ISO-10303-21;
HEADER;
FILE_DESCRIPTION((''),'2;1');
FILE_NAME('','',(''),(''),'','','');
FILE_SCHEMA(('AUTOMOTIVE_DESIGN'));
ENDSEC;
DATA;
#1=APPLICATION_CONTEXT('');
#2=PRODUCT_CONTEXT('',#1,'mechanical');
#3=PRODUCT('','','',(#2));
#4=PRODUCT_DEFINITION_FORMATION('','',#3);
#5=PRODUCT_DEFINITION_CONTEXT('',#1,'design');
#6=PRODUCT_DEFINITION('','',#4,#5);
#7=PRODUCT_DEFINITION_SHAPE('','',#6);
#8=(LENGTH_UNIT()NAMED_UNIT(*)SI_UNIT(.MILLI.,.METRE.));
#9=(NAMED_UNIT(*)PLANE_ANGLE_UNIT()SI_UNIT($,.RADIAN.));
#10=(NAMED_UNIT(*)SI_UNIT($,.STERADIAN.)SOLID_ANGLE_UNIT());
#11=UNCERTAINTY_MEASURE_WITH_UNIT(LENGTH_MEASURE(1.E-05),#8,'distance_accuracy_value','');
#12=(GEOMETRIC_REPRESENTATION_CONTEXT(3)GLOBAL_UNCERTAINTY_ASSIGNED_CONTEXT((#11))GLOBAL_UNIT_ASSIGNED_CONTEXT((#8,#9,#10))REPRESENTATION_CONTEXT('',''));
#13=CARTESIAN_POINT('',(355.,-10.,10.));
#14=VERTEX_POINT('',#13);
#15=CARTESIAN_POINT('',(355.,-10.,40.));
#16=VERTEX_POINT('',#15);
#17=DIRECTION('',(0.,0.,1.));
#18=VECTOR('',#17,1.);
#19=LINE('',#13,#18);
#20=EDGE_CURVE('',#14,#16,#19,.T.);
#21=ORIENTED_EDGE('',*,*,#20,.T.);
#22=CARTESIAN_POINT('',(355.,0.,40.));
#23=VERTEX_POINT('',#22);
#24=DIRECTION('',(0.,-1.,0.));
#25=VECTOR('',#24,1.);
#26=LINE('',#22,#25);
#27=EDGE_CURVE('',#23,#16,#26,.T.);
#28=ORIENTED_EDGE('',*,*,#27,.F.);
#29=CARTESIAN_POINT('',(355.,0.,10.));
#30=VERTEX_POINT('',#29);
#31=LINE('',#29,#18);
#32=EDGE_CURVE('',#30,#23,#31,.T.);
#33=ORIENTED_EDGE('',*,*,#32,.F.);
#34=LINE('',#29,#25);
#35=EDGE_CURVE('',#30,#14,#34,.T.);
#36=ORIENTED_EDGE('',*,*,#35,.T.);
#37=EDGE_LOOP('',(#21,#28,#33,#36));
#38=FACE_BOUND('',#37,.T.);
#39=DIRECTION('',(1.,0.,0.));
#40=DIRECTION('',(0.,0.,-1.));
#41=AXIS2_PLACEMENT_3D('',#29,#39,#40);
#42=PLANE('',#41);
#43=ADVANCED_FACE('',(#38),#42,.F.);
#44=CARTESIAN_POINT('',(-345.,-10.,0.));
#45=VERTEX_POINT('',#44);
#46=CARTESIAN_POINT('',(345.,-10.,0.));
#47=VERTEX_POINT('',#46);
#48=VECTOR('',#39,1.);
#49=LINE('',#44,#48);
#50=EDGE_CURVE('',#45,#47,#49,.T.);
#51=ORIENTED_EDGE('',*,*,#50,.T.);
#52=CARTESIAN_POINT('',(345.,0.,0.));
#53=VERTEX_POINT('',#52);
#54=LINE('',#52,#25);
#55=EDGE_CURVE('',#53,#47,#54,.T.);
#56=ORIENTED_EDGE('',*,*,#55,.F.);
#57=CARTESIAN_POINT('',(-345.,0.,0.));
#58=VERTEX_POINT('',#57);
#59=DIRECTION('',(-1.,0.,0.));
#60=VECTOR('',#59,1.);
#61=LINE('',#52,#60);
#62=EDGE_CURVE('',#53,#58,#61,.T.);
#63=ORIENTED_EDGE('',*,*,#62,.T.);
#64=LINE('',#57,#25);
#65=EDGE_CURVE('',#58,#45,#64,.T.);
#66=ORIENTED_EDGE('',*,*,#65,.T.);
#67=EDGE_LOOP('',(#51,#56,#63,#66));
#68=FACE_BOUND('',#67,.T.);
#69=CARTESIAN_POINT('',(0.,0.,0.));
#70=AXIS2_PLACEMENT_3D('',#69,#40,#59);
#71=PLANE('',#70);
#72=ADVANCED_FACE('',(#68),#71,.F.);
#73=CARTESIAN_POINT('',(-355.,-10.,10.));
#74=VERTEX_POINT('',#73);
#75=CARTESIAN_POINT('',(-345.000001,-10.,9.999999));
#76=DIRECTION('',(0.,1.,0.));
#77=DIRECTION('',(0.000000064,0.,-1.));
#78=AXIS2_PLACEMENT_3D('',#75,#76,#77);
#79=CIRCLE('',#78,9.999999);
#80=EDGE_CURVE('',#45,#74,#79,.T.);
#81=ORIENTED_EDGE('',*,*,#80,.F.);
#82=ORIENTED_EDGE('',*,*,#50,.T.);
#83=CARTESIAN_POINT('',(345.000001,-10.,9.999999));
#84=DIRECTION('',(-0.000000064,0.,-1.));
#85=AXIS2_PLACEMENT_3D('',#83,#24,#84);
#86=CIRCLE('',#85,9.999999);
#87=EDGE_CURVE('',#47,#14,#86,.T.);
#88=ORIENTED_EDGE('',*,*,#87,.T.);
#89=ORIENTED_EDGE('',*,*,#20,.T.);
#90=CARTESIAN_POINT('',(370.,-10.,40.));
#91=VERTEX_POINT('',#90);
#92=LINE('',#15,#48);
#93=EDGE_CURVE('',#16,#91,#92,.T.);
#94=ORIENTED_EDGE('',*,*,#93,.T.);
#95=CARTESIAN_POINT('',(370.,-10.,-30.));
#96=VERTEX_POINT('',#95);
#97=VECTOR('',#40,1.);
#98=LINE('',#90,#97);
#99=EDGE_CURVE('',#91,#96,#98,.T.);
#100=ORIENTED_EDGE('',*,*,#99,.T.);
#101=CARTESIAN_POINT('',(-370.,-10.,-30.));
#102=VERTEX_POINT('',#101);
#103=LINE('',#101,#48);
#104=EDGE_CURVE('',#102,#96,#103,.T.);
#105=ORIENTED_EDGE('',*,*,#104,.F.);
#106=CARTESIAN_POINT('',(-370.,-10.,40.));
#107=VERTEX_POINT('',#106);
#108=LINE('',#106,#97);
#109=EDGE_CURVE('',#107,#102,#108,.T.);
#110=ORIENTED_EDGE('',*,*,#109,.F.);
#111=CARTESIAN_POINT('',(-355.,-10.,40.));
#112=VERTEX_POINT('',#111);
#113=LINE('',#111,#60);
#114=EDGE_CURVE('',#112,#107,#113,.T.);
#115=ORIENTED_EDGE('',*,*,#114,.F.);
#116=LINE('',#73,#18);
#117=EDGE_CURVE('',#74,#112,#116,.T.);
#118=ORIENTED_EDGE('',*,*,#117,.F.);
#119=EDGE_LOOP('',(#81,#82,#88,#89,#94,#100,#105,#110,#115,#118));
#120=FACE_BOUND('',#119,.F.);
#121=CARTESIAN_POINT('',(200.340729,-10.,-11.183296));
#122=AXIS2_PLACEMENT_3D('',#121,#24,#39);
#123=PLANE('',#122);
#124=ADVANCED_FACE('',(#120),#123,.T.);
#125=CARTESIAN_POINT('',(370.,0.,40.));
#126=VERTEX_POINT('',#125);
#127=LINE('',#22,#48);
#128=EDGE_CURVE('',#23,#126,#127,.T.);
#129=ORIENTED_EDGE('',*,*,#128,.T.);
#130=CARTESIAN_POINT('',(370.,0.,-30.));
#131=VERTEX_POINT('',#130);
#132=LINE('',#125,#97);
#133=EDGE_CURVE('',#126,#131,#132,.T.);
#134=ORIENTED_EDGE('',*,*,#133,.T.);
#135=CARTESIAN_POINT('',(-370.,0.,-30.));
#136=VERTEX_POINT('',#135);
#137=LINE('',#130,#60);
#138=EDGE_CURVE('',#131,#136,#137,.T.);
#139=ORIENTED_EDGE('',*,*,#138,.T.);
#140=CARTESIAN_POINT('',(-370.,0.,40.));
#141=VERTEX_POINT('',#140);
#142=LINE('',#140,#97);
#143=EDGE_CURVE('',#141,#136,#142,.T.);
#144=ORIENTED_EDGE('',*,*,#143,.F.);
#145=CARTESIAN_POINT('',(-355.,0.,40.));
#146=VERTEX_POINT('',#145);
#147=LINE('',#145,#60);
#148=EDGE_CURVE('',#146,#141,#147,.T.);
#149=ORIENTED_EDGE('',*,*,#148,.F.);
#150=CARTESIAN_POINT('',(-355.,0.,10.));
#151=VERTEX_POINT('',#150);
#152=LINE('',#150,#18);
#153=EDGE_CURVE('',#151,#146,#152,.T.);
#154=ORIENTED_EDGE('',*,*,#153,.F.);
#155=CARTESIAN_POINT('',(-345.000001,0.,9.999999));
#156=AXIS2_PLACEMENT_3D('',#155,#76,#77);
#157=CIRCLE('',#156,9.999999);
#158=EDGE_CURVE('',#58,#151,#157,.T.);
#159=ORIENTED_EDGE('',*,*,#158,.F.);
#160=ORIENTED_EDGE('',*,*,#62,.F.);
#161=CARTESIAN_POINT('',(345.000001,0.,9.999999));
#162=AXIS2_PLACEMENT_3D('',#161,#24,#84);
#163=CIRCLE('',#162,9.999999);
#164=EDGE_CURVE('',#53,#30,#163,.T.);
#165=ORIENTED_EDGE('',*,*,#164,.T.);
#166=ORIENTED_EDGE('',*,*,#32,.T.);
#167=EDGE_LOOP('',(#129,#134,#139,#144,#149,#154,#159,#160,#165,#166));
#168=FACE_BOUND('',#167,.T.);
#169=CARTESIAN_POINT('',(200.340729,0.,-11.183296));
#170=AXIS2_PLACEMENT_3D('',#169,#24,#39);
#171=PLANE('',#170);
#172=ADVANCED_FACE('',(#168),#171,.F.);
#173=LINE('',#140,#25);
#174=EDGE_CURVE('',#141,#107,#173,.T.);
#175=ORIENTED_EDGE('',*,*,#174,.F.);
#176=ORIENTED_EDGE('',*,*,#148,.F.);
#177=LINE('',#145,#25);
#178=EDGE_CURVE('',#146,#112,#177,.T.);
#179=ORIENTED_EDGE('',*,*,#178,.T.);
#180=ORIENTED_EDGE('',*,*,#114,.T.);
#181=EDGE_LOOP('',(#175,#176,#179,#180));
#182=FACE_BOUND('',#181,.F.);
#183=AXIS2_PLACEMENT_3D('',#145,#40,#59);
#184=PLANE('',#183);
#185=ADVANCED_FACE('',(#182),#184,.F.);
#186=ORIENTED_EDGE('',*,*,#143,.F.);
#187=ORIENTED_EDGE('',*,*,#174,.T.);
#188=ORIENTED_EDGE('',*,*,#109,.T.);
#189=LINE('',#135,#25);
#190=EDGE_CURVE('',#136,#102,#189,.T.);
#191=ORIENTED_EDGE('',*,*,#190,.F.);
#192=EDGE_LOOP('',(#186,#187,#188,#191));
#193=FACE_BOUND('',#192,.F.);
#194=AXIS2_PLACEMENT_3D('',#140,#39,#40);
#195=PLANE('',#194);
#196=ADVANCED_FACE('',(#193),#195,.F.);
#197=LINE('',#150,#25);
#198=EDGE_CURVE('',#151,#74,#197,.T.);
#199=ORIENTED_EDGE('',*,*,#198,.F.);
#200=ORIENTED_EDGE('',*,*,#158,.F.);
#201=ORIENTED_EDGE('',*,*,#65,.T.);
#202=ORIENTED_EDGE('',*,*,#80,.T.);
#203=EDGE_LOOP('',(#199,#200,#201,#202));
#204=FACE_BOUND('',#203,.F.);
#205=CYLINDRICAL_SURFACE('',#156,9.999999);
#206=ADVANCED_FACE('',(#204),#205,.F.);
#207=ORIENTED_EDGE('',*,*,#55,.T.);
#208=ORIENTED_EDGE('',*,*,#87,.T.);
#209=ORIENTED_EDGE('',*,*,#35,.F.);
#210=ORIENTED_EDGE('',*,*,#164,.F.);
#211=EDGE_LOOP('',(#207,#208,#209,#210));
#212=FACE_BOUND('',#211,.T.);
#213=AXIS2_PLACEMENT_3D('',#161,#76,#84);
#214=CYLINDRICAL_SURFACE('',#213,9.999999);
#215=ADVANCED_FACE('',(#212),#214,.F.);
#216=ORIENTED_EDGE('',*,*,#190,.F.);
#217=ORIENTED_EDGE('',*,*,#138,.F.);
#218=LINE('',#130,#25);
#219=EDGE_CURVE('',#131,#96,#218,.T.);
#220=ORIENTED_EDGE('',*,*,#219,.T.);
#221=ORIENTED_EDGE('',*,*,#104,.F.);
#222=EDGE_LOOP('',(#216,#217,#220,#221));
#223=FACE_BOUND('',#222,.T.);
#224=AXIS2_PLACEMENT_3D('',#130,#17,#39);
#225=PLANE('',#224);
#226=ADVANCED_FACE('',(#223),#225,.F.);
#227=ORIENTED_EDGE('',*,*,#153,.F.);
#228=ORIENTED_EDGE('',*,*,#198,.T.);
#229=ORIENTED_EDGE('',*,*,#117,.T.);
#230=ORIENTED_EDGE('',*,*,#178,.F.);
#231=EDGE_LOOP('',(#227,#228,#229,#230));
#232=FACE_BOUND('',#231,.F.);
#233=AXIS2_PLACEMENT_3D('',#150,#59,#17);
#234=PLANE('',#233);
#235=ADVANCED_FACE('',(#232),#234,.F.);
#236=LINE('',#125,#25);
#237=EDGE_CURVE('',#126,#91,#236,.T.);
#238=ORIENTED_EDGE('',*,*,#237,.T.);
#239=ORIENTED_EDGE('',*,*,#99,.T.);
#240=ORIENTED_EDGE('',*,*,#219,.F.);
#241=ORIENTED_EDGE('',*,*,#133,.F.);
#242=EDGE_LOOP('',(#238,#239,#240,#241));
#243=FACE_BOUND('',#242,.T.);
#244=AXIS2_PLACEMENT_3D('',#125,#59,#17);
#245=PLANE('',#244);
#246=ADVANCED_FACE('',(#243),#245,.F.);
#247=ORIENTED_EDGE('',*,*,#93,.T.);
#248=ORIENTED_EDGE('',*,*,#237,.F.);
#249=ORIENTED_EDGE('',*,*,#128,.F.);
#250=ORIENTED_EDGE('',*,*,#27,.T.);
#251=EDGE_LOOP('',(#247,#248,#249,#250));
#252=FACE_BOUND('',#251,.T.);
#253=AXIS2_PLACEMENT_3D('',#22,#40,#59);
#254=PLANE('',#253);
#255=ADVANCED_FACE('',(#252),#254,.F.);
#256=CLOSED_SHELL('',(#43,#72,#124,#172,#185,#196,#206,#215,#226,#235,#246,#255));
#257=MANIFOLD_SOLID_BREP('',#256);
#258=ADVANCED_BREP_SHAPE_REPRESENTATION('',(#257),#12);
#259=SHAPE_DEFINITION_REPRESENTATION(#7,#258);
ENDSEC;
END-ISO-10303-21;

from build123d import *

# Parameters (mm, degrees)
F1_DEPTH = 10


with BuildPart() as f1:
    # F0 (on Front) → F1 (new body)
    with BuildSketch(Plane.XZ):
        with BuildLine():
            Line((0, -30), (0, 0))
            Line((0, 0), (-345, 0))
            ThreePointArc((-345, 0), (-352.071068, 2.928932), (-355, 10))
            Line((-355, 10), (-355, 40))
            Line((-355, 40), (-370, 40))
            Line((-370, 40), (-370, -30))
            Line((-370, -30), (0, -30))
        make_face()
    extrude(amount=F1_DEPTH)

    # F2: F1 across face


with BuildPart() as f1_1:
    add(f1.part)
    add(f1.part.mirror(Plane(origin=(0, -5, -15), x_dir=(0, 1, 0), z_dir=(1, 0, 0))))


solid = f1_1.part
